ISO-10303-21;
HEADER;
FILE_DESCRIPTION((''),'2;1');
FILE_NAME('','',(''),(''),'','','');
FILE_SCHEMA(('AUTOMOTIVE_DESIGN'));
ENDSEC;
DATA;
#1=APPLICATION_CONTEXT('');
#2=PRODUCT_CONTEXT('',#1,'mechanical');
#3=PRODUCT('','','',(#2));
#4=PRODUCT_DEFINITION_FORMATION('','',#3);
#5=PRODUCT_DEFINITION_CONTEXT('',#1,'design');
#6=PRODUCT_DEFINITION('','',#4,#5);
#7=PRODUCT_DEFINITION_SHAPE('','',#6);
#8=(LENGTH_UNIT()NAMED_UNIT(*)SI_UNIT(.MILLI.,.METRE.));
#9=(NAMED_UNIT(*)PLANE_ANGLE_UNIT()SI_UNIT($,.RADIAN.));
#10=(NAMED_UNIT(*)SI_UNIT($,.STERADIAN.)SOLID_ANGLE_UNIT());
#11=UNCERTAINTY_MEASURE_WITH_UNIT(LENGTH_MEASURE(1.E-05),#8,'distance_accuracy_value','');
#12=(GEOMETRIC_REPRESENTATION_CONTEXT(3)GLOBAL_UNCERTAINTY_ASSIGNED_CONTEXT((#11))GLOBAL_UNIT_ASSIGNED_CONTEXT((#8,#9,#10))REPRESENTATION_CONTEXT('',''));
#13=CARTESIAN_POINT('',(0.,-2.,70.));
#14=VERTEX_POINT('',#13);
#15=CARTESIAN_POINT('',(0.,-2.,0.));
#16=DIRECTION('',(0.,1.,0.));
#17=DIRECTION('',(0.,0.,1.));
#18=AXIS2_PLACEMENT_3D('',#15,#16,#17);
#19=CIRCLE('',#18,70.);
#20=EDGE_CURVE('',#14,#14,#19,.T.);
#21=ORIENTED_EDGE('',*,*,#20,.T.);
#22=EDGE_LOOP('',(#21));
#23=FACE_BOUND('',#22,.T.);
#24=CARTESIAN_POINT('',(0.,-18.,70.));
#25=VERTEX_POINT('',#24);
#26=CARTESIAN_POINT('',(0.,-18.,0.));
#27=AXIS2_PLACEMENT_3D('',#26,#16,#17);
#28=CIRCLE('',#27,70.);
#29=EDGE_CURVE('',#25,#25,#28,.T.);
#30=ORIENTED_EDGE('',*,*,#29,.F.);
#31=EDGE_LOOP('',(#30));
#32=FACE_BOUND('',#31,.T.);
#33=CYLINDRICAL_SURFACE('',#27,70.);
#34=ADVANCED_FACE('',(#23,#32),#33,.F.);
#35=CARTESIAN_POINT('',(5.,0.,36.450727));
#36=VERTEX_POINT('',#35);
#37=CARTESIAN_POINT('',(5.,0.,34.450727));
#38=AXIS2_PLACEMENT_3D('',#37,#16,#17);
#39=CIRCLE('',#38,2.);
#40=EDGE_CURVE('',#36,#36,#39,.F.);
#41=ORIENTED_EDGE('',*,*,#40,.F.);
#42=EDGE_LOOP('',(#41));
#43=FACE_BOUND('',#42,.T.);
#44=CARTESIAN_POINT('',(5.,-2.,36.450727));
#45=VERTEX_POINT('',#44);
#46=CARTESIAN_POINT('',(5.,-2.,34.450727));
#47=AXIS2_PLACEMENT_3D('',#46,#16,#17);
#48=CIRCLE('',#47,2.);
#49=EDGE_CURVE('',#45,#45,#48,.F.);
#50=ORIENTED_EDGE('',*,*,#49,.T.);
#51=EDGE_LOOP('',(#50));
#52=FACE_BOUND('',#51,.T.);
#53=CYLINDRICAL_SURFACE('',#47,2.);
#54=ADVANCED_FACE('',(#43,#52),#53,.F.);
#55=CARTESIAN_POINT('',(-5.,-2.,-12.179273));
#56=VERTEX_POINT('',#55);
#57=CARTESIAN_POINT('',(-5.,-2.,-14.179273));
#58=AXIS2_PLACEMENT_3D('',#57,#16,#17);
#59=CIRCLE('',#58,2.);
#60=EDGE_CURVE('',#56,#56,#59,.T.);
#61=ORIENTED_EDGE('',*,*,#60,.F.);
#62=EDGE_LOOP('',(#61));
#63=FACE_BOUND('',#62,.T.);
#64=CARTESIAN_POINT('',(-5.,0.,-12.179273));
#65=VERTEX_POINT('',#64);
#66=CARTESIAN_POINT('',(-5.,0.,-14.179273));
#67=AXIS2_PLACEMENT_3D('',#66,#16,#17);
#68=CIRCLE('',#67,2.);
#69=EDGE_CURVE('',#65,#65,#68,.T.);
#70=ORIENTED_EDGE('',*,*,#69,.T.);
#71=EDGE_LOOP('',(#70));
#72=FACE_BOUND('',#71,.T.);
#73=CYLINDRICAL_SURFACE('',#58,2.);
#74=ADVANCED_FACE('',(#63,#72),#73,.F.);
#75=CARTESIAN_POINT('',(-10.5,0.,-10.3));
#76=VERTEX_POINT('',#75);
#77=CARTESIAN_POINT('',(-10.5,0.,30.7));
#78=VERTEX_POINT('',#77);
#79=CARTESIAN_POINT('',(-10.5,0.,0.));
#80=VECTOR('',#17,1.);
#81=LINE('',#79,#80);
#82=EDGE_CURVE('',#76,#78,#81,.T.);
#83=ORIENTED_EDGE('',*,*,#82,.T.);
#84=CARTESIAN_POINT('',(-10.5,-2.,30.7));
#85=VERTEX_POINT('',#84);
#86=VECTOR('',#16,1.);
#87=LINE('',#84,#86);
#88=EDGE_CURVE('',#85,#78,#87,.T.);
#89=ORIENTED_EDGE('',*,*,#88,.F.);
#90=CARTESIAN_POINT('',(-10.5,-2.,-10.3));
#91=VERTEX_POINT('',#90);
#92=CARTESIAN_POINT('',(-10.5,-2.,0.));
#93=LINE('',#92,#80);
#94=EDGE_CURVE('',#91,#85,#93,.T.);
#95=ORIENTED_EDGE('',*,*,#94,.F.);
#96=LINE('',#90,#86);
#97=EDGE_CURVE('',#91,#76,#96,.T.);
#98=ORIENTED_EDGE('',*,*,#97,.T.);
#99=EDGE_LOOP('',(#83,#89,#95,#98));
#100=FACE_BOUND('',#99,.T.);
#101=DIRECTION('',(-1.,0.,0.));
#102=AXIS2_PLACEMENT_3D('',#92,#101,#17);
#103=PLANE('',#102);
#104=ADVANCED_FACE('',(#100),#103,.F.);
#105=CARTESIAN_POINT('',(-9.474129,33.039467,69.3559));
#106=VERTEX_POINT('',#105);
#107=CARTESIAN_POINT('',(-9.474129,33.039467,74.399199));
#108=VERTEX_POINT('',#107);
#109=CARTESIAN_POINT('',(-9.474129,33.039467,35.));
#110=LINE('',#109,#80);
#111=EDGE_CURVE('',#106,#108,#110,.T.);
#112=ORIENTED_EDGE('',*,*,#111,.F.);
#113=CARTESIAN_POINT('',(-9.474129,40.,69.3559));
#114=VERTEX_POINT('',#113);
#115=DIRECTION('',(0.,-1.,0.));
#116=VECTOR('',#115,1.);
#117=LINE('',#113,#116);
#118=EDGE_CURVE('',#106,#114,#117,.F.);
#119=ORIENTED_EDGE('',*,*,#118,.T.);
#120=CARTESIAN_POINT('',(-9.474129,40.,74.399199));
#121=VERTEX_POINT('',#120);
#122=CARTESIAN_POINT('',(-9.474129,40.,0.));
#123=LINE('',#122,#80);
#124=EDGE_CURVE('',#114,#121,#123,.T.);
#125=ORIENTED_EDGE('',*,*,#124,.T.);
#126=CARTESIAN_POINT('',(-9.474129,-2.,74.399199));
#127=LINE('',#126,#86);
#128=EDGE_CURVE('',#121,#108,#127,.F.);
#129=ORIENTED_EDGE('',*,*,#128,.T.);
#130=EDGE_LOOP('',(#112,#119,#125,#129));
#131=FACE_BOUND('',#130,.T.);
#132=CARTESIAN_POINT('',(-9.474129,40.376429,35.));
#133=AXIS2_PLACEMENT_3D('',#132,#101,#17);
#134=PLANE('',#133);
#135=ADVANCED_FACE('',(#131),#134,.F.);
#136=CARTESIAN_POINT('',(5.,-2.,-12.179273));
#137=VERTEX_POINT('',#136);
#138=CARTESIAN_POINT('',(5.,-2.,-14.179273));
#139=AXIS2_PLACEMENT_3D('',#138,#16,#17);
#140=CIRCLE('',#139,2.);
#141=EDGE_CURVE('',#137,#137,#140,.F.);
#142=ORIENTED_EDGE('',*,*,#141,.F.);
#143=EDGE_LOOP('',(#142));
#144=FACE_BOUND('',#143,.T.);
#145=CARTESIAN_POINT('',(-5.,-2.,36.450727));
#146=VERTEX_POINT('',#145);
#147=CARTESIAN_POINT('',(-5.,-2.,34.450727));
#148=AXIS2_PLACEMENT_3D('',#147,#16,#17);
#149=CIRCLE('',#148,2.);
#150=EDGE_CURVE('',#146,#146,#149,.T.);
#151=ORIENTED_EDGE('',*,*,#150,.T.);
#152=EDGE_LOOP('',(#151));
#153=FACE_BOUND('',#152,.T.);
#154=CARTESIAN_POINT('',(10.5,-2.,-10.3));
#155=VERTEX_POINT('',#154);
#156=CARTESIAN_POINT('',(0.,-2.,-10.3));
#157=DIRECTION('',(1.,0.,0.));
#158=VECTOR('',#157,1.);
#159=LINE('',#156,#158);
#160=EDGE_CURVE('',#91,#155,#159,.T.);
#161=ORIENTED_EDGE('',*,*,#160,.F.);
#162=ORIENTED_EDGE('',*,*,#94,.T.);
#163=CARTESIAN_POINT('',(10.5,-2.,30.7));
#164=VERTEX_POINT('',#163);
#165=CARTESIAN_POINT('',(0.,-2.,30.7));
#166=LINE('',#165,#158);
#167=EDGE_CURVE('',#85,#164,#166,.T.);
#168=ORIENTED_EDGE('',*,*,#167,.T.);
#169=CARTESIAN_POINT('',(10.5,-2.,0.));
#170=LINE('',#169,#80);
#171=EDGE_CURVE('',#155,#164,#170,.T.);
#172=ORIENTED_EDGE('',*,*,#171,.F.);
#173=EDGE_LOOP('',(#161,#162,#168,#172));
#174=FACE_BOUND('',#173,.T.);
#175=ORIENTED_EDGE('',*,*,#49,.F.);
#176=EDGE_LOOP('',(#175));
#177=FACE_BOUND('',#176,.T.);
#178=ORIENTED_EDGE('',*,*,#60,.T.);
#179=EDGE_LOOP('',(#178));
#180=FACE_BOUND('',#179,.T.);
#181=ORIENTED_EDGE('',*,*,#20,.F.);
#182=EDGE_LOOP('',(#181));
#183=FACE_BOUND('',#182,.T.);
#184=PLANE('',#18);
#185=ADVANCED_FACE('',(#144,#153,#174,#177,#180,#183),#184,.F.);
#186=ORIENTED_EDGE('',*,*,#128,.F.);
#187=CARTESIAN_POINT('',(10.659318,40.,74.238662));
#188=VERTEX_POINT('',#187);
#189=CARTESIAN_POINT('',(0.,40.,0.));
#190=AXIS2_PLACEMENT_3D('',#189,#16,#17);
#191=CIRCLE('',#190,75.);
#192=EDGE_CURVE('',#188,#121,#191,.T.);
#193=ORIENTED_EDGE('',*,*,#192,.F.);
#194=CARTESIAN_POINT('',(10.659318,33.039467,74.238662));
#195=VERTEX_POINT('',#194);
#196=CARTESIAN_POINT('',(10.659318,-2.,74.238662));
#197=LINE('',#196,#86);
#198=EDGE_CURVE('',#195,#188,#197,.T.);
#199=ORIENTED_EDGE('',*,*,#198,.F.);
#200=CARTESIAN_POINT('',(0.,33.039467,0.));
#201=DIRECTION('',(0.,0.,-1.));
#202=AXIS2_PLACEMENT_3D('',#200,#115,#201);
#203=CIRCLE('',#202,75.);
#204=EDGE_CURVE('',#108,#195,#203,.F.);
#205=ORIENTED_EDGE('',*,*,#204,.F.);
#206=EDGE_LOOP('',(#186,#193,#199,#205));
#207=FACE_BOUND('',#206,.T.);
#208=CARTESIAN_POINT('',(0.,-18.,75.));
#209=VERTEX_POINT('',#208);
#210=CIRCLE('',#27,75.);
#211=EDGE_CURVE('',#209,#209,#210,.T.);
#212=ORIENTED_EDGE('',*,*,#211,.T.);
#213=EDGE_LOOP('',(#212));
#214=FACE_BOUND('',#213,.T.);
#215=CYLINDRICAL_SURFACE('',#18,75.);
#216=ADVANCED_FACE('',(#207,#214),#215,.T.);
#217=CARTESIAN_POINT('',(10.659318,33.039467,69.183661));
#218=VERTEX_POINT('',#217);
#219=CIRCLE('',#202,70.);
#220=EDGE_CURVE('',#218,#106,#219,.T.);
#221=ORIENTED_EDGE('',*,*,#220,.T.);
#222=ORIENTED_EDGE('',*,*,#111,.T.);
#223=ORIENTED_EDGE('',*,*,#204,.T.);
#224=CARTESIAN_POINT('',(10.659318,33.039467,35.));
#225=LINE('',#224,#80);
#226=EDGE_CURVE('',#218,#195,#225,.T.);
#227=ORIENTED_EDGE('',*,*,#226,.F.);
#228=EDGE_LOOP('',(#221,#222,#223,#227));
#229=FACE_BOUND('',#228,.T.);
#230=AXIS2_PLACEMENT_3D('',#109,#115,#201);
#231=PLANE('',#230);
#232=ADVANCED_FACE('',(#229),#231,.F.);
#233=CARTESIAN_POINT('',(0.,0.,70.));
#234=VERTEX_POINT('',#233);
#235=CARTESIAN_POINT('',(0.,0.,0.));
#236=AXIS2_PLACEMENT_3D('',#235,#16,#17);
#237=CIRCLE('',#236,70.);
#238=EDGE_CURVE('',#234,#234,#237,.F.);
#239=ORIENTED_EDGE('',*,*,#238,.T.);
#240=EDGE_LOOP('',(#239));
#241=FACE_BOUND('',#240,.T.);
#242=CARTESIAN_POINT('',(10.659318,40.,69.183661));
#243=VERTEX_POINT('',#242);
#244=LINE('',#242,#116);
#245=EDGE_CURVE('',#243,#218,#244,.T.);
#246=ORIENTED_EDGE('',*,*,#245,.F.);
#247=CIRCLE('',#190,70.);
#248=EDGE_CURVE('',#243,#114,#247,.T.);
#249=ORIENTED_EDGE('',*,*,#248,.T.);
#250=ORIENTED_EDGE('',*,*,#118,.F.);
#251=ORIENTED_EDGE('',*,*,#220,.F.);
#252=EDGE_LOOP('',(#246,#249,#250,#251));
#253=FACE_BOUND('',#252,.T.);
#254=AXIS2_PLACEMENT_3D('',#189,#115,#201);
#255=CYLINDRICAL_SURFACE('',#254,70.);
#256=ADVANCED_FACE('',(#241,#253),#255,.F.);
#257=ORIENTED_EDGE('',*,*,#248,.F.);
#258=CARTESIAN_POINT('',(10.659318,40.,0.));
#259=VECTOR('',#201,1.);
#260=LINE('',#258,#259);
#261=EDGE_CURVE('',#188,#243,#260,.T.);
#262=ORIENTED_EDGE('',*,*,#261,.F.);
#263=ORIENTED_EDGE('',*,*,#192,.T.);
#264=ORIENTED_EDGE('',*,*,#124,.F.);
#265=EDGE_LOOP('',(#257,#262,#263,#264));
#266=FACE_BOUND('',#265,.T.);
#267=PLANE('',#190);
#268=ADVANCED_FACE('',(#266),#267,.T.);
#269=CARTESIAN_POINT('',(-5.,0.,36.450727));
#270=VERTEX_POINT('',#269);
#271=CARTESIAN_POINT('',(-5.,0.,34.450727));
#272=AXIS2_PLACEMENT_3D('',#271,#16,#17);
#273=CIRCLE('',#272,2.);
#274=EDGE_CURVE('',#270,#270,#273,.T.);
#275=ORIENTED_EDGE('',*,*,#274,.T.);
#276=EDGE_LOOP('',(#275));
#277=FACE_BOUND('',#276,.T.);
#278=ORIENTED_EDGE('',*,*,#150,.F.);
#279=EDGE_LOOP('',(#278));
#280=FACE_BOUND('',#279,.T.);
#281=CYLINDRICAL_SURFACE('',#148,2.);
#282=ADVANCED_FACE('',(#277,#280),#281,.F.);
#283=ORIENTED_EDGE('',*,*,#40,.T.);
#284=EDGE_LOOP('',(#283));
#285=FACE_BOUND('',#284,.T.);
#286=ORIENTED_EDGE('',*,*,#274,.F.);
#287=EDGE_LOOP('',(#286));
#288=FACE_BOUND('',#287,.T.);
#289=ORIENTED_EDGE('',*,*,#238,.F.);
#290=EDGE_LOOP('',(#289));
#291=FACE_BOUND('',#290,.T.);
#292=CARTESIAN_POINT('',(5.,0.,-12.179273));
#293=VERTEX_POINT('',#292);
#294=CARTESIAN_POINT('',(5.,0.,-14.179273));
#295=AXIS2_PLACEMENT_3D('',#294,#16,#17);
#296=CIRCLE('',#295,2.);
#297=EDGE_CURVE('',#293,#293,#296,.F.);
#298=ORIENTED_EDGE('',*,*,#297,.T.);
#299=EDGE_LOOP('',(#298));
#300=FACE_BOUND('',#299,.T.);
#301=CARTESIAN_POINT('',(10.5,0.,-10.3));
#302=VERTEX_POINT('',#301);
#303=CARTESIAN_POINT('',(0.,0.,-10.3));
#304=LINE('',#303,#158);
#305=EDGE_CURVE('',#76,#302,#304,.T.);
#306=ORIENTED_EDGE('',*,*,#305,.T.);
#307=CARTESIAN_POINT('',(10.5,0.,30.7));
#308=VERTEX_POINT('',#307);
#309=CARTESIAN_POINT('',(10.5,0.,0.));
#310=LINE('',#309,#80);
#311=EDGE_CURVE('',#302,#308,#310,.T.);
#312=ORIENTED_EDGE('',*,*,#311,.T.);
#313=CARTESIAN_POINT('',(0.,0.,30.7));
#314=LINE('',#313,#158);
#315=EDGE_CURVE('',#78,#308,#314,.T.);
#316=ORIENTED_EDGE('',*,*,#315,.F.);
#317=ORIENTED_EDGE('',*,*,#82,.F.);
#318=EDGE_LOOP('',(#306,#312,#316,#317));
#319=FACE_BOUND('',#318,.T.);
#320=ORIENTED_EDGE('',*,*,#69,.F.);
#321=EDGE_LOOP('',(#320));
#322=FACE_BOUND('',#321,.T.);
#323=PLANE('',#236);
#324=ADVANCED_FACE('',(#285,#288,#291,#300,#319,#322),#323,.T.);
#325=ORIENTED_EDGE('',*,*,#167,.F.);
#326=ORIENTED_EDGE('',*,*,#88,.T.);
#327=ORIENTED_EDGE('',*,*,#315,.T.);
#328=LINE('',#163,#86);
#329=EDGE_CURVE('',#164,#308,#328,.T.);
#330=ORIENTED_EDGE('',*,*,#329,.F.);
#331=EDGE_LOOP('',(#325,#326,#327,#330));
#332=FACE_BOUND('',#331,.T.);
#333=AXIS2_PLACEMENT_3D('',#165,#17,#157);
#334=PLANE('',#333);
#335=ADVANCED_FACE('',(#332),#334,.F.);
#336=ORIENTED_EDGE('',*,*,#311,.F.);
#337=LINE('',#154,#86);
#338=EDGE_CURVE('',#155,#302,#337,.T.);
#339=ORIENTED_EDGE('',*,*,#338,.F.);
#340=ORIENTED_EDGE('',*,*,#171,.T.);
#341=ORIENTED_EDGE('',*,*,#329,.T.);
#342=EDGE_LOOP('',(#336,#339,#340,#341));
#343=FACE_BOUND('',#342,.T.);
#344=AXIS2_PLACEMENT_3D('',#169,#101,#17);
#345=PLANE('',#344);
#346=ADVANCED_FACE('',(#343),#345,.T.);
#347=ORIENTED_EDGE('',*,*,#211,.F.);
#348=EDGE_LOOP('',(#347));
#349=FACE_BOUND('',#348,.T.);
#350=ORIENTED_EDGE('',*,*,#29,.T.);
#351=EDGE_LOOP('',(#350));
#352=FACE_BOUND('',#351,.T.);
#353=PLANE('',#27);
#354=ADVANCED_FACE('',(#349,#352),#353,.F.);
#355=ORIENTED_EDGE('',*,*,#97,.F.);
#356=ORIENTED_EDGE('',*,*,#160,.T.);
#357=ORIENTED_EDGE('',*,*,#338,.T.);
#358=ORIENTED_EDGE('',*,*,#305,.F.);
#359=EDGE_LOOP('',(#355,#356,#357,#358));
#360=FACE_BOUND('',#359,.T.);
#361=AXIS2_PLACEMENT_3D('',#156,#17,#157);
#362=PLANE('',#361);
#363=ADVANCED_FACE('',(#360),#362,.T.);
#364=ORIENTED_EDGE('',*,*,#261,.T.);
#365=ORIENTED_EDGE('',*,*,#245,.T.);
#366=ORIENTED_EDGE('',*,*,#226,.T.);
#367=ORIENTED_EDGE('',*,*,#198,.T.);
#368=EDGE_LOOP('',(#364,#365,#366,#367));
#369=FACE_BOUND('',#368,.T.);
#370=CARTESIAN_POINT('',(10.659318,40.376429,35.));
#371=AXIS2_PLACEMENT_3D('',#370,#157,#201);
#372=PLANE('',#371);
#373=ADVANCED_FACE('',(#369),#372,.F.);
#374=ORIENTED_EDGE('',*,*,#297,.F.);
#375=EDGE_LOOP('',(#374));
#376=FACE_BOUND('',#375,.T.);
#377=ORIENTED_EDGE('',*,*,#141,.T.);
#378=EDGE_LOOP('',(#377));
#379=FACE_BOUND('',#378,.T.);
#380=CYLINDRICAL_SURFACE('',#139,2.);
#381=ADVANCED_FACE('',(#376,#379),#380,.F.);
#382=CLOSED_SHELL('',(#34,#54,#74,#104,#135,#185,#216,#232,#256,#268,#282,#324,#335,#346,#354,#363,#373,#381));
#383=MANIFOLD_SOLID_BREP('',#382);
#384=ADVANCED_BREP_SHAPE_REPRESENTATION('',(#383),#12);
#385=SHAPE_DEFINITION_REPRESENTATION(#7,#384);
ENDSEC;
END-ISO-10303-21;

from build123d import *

# Parameters (mm, degrees)
ESQUISSE1_R             = 75
ESQUISSE1_R_2           = 2
ESQUISSE1_W             = 21
ESQUISSE1_H             = 41
BOSS_EXTRU_1_DEPTH      = 2
BOSS_EXTRU_2_START      = 40
ESQUISSE1_4_R           = 75
ESQUISSE1_4_R_2         = 70
BOSS_EXTRU_2_DEPTH      = 40
ESQUISSE2_W             = 20.133446777
ESQUISSE2_H             = 7.336961674
ENL_V_MAT_EXTRU_1_DEPTH = 40
ESQUISSE1_5_R           = 75
ESQUISSE1_5_R_2         = 70
BOSS_EXTRU_3_DEPTH      = 18


with BuildPart() as part:
    # Esquisse1 → Boss.-Extru.1 (new body)
    with BuildSketch(Plane(origin=(0, 0, 0), x_dir=(1, 0, 0), z_dir=(0, 1, 0))):
        Circle(ESQUISSE1_R)
        with Locations((5, 14.17927264)):
            Circle(ESQUISSE1_R_2, mode=Mode.SUBTRACT)
        with Locations((-5, -34.45072736)):
            Circle(ESQUISSE1_R_2, mode=Mode.SUBTRACT)
        with Locations((5, -34.45072736)):
            Circle(ESQUISSE1_R_2, mode=Mode.SUBTRACT)
        with Locations((0, -10.2)):
            Rectangle(ESQUISSE1_W, ESQUISSE1_H, mode=Mode.SUBTRACT)
        with Locations((-5, 14.17927264)):
            Circle(ESQUISSE1_R_2, mode=Mode.SUBTRACT)
    extrude(amount=-BOSS_EXTRU_1_DEPTH)

    # Esquisse1<4> → Boss.-Extru.2 (add)
    with BuildSketch(Plane(origin=(0, 0, 0), x_dir=(1, 0, 0), z_dir=(0, 1, 0)).offset(BOSS_EXTRU_2_START)):
        Circle(ESQUISSE1_4_R)
        Circle(ESQUISSE1_4_R_2, mode=Mode.SUBTRACT)
    extrude(amount=-BOSS_EXTRU_2_DEPTH)

    # Esquisse2 → Enlèv. mat.-Extru.1 (cut)
    with BuildSketch(Plane.XY.offset(75)):
        with Locations((0.592594447, 36.707948234)):
            Rectangle(ESQUISSE2_W, ESQUISSE2_H)
    extrude(amount=-ENL_V_MAT_EXTRU_1_DEPTH, mode=Mode.SUBTRACT)

    # Esquisse1<5> → Boss.-Extru.3 (add)
    with BuildSketch(Plane(origin=(0, 0, 0), x_dir=(1, 0, 0), z_dir=(0, 1, 0))):
        Circle(ESQUISSE1_5_R)
        Circle(ESQUISSE1_5_R_2, mode=Mode.SUBTRACT)
    extrude(amount=-BOSS_EXTRU_3_DEPTH)


solid = part.part
